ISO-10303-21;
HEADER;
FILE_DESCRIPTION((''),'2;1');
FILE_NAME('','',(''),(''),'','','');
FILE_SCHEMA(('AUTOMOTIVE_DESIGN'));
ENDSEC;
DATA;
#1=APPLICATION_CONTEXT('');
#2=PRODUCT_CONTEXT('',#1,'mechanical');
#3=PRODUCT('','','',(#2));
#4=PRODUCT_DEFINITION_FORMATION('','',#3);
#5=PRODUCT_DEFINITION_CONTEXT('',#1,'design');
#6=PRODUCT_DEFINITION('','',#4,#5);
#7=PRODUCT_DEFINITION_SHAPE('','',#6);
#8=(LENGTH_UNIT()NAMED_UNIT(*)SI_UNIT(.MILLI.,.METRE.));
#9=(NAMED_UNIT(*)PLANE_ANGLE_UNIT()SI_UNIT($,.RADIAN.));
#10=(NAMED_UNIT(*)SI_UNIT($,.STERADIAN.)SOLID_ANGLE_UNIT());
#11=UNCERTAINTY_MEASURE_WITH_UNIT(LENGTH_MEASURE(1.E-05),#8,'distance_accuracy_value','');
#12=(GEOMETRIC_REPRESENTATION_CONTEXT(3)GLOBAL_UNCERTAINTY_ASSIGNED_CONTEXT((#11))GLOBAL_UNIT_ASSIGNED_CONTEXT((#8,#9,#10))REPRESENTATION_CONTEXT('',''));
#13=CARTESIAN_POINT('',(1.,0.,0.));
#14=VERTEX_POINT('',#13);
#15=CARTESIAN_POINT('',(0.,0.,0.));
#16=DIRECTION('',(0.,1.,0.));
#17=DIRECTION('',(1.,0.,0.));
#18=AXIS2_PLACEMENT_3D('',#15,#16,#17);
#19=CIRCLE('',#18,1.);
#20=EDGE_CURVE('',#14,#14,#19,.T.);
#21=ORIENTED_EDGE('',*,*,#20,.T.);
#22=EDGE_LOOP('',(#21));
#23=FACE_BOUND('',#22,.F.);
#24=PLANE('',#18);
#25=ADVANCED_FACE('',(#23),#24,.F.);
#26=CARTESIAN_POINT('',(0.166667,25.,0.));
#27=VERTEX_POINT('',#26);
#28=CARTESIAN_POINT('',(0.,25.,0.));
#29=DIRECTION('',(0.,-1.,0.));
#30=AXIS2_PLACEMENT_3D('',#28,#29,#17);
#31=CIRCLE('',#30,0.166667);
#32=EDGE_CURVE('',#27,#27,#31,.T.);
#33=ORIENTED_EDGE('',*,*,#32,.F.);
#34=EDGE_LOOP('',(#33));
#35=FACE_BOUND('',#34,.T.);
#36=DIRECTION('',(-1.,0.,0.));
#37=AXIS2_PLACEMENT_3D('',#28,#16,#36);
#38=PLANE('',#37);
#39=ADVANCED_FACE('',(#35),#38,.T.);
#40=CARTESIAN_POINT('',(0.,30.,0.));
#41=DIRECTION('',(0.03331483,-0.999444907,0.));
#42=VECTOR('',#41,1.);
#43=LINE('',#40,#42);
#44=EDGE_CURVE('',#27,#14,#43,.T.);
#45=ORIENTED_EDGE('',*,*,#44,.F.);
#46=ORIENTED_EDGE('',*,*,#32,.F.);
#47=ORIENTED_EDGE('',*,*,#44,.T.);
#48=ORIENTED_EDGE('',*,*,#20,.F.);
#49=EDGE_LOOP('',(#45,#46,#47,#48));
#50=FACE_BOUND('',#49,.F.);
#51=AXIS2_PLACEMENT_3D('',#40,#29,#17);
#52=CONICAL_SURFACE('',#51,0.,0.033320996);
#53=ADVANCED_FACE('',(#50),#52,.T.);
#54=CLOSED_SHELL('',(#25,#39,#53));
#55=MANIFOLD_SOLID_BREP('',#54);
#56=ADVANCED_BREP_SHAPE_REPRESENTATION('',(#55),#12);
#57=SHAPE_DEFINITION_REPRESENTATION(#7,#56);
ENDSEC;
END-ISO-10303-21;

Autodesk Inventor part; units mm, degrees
ref_plane "YZ Plane" through (0, 0, 0) normal (1, 0, 0) x (0, 1, 0)
ref_plane "XY Plane" through (0, 0, 0) normal (0, 0, 1) x (1, 0, 0)
sketch "Sketch3" plane through (0, 0, 0) normal (0, 0, 1) x (1, 0, 0)
  line L0 (0, 0) -> (0, 30)
  line L1 (0, 30) -> (1, 0)
  line L2 (1, 0) -> (0, 0)
  dimension "d3" = 30
  dimension "d4" = 1
revolve "Revolution1" add sketch "Sketch3" angle 360 about axis through (0, 0, 0) along (0, 1, 0)
ref_plane "Work Plane1" through (0, 30, 0) normal (0, 1, 0) x (-1, 0, 0)
sketch "Sketch5" plane through (0, 30, 0) normal (0, 1, 0) x (-1, 0, 0)
  circle A0 centre (0, 0) radius 1 projected
  circle A1 centre (0, 0) radius 2.811
extrude "Extrusion3" cut sketch "Sketch5" against normal blind 5 contours A0 | A1
properties part number "LaserBeamEntry2"
